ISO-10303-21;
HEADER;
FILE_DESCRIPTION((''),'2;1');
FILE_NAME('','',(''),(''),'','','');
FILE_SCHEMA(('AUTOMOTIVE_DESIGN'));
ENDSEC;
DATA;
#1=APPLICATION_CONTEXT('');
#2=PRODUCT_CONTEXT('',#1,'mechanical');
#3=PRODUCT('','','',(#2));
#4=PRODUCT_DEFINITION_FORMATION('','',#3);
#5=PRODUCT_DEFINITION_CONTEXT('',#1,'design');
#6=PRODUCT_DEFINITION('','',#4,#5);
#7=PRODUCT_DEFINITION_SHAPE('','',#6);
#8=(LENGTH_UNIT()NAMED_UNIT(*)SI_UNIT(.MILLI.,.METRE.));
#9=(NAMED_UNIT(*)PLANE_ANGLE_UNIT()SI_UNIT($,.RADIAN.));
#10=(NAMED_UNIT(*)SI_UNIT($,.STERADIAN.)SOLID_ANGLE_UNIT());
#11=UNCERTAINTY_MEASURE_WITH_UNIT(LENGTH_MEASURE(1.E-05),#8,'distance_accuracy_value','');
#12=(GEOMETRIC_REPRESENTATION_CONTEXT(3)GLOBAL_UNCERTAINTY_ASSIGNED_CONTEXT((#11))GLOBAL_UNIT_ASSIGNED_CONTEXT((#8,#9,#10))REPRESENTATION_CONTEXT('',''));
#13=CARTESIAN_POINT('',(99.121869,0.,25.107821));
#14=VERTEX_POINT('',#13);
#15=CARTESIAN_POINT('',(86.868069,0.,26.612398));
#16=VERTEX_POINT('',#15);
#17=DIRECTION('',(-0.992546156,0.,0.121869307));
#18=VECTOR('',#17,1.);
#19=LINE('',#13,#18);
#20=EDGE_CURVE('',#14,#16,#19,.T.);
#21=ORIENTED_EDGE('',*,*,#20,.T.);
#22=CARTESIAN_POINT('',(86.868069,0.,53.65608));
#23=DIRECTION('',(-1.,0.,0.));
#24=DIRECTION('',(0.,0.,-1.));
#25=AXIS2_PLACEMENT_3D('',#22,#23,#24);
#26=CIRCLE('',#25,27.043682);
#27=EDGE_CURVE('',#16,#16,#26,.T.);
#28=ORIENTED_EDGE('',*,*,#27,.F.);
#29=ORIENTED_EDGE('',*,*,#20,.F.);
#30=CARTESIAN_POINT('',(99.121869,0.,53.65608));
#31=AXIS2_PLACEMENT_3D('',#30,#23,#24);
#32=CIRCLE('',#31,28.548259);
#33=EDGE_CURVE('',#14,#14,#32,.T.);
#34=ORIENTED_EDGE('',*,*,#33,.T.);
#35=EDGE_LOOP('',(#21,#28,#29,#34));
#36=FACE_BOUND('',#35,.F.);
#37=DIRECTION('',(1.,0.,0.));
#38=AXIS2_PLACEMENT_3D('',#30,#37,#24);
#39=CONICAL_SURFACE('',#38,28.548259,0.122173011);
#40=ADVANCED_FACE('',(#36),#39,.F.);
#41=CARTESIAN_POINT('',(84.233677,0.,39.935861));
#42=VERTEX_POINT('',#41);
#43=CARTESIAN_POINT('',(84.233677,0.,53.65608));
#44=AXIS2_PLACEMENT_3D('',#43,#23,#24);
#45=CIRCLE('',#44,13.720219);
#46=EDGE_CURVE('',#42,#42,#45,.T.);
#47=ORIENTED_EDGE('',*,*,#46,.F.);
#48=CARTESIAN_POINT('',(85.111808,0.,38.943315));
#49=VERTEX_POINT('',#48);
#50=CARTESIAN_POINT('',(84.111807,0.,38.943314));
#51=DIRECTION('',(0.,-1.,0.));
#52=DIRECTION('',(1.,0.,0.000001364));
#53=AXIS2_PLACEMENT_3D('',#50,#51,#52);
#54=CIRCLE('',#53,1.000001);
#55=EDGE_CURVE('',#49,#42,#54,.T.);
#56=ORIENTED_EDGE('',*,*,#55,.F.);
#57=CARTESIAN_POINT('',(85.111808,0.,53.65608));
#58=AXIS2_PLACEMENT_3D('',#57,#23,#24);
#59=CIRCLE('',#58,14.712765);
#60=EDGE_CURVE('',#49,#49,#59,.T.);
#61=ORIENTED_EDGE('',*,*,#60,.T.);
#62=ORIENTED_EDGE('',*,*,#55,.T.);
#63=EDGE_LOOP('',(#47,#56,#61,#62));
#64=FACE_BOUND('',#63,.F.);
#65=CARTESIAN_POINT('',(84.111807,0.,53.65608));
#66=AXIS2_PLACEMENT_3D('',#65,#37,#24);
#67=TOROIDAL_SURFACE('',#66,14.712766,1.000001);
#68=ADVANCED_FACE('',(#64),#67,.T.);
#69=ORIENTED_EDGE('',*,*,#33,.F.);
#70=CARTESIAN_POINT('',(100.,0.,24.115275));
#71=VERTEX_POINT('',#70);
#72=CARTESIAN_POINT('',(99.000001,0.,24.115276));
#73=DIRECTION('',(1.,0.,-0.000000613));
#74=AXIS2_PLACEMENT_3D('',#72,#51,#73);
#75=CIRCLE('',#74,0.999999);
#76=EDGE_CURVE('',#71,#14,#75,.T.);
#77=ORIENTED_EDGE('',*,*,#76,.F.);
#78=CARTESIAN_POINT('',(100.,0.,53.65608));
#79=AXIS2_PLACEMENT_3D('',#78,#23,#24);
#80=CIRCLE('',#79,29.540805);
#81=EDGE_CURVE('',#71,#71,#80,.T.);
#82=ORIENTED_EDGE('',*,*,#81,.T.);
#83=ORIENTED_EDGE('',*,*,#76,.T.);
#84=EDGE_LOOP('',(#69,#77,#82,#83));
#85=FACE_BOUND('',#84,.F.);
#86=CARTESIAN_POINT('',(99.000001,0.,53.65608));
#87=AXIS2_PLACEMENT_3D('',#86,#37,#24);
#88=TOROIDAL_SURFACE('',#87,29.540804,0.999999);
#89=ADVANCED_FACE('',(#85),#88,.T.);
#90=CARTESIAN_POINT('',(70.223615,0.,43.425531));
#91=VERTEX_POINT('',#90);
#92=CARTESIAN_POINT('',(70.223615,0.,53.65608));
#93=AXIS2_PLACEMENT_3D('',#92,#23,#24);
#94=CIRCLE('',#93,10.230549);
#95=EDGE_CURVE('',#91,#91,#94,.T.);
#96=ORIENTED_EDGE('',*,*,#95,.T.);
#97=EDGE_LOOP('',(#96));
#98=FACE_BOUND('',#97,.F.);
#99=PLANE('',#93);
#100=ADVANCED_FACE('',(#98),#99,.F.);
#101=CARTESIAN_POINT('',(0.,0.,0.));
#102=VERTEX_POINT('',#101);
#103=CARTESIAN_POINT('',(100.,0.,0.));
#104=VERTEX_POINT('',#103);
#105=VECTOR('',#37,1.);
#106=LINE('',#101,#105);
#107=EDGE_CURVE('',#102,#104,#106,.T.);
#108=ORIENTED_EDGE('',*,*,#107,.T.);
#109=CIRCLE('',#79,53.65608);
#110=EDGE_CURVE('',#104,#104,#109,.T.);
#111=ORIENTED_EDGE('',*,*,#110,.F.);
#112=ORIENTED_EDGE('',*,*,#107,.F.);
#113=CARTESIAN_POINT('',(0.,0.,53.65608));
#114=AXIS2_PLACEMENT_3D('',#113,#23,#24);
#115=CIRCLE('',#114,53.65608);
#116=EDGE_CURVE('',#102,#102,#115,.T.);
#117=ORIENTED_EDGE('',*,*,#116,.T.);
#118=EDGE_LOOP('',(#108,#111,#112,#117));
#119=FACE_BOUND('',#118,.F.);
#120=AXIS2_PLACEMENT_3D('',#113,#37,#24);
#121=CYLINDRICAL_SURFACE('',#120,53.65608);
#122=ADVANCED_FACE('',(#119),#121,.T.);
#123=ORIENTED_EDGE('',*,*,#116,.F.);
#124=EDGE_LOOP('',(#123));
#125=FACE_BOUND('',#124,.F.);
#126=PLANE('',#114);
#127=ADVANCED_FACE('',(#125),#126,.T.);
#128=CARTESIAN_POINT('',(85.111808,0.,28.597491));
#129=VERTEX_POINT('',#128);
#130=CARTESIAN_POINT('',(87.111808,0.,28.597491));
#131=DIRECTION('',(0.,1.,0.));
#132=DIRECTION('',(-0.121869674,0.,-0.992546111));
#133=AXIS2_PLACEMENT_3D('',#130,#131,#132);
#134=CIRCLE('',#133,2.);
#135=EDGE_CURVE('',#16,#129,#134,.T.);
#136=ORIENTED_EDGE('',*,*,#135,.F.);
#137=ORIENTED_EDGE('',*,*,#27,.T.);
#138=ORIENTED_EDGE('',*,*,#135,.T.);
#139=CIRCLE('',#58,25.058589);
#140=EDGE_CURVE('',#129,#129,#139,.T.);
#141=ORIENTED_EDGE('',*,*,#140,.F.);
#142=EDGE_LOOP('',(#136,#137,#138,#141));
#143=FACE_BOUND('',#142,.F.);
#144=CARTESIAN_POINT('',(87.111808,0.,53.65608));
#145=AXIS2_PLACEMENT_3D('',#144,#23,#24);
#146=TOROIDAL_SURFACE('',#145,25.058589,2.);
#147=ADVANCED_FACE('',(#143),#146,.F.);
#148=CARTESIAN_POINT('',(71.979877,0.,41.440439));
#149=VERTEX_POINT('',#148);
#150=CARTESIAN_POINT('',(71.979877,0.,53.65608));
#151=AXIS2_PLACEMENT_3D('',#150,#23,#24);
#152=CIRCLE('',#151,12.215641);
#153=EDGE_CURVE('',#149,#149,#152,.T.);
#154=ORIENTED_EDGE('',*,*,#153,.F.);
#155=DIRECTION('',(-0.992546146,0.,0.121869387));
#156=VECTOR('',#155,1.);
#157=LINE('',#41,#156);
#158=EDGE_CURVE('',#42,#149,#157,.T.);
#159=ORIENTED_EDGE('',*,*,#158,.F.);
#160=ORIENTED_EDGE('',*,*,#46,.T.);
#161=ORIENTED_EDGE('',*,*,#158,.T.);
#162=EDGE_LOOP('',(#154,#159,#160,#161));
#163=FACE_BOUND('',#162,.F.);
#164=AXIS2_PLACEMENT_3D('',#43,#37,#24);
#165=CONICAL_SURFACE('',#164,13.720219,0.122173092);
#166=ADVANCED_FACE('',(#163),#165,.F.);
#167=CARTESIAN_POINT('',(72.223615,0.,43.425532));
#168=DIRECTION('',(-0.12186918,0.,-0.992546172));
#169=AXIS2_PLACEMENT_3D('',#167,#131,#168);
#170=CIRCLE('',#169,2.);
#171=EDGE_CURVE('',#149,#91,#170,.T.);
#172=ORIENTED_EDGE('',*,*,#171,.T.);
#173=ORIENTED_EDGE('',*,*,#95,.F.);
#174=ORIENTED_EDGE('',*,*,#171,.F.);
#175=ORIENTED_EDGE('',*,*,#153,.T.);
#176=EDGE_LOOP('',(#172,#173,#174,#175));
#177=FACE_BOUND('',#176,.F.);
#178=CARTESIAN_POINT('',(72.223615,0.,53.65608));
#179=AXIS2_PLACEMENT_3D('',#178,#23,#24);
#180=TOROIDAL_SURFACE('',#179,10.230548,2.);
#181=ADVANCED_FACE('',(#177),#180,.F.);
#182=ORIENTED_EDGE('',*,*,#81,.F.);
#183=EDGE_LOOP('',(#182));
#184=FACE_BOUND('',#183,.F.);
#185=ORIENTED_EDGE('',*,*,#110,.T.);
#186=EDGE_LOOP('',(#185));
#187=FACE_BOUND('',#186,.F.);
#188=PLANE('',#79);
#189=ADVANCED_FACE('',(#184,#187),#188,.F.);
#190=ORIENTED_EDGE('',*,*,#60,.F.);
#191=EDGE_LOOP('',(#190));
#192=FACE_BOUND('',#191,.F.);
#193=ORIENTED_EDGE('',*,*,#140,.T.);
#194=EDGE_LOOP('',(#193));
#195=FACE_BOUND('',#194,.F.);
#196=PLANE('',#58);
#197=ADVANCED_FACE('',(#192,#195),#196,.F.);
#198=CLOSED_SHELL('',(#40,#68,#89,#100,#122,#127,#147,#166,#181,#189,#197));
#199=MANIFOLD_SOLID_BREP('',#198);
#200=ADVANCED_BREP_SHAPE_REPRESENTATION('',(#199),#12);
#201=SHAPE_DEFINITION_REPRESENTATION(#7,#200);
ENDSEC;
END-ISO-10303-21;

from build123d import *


with BuildPart() as f1:
    # F0 (on Front) → F1 (revolve)
    with BuildSketch(Plane.XZ):
        with BuildLine():
            Line((0, 53.65608), (0, 0))
            Line((0, 0), (100, 0))
            Line((100, 0), (100, 24.115275))
            ThreePointArc((100, 24.115275), (99.748956, 24.777895), (99.121869, 25.107821))
            Line((99.121869, 25.107821), (86.868069, 26.612398))
            ThreePointArc((86.868069, 26.612398), (85.613896, 27.272251), (85.111808, 28.597491))
            Line((85.111808, 28.597491), (85.111808, 38.943315))
            ThreePointArc((85.111808, 38.943315), (84.860763, 39.605935), (84.233677, 39.935861))
            Line((84.233677, 39.935861), (71.979877, 41.440439))
            ThreePointArc((71.979877, 41.440439), (70.725704, 42.100291), (70.223615, 43.425531))
            Line((70.223615, 43.425531), (70.223615, 53.65608))
            Line((70.223615, 53.65608), (0, 53.65608))
        make_face()
    revolve(axis=Axis((35.111808, 0, 53.65608), (-1, 0, 0)))


solid = f1.part
